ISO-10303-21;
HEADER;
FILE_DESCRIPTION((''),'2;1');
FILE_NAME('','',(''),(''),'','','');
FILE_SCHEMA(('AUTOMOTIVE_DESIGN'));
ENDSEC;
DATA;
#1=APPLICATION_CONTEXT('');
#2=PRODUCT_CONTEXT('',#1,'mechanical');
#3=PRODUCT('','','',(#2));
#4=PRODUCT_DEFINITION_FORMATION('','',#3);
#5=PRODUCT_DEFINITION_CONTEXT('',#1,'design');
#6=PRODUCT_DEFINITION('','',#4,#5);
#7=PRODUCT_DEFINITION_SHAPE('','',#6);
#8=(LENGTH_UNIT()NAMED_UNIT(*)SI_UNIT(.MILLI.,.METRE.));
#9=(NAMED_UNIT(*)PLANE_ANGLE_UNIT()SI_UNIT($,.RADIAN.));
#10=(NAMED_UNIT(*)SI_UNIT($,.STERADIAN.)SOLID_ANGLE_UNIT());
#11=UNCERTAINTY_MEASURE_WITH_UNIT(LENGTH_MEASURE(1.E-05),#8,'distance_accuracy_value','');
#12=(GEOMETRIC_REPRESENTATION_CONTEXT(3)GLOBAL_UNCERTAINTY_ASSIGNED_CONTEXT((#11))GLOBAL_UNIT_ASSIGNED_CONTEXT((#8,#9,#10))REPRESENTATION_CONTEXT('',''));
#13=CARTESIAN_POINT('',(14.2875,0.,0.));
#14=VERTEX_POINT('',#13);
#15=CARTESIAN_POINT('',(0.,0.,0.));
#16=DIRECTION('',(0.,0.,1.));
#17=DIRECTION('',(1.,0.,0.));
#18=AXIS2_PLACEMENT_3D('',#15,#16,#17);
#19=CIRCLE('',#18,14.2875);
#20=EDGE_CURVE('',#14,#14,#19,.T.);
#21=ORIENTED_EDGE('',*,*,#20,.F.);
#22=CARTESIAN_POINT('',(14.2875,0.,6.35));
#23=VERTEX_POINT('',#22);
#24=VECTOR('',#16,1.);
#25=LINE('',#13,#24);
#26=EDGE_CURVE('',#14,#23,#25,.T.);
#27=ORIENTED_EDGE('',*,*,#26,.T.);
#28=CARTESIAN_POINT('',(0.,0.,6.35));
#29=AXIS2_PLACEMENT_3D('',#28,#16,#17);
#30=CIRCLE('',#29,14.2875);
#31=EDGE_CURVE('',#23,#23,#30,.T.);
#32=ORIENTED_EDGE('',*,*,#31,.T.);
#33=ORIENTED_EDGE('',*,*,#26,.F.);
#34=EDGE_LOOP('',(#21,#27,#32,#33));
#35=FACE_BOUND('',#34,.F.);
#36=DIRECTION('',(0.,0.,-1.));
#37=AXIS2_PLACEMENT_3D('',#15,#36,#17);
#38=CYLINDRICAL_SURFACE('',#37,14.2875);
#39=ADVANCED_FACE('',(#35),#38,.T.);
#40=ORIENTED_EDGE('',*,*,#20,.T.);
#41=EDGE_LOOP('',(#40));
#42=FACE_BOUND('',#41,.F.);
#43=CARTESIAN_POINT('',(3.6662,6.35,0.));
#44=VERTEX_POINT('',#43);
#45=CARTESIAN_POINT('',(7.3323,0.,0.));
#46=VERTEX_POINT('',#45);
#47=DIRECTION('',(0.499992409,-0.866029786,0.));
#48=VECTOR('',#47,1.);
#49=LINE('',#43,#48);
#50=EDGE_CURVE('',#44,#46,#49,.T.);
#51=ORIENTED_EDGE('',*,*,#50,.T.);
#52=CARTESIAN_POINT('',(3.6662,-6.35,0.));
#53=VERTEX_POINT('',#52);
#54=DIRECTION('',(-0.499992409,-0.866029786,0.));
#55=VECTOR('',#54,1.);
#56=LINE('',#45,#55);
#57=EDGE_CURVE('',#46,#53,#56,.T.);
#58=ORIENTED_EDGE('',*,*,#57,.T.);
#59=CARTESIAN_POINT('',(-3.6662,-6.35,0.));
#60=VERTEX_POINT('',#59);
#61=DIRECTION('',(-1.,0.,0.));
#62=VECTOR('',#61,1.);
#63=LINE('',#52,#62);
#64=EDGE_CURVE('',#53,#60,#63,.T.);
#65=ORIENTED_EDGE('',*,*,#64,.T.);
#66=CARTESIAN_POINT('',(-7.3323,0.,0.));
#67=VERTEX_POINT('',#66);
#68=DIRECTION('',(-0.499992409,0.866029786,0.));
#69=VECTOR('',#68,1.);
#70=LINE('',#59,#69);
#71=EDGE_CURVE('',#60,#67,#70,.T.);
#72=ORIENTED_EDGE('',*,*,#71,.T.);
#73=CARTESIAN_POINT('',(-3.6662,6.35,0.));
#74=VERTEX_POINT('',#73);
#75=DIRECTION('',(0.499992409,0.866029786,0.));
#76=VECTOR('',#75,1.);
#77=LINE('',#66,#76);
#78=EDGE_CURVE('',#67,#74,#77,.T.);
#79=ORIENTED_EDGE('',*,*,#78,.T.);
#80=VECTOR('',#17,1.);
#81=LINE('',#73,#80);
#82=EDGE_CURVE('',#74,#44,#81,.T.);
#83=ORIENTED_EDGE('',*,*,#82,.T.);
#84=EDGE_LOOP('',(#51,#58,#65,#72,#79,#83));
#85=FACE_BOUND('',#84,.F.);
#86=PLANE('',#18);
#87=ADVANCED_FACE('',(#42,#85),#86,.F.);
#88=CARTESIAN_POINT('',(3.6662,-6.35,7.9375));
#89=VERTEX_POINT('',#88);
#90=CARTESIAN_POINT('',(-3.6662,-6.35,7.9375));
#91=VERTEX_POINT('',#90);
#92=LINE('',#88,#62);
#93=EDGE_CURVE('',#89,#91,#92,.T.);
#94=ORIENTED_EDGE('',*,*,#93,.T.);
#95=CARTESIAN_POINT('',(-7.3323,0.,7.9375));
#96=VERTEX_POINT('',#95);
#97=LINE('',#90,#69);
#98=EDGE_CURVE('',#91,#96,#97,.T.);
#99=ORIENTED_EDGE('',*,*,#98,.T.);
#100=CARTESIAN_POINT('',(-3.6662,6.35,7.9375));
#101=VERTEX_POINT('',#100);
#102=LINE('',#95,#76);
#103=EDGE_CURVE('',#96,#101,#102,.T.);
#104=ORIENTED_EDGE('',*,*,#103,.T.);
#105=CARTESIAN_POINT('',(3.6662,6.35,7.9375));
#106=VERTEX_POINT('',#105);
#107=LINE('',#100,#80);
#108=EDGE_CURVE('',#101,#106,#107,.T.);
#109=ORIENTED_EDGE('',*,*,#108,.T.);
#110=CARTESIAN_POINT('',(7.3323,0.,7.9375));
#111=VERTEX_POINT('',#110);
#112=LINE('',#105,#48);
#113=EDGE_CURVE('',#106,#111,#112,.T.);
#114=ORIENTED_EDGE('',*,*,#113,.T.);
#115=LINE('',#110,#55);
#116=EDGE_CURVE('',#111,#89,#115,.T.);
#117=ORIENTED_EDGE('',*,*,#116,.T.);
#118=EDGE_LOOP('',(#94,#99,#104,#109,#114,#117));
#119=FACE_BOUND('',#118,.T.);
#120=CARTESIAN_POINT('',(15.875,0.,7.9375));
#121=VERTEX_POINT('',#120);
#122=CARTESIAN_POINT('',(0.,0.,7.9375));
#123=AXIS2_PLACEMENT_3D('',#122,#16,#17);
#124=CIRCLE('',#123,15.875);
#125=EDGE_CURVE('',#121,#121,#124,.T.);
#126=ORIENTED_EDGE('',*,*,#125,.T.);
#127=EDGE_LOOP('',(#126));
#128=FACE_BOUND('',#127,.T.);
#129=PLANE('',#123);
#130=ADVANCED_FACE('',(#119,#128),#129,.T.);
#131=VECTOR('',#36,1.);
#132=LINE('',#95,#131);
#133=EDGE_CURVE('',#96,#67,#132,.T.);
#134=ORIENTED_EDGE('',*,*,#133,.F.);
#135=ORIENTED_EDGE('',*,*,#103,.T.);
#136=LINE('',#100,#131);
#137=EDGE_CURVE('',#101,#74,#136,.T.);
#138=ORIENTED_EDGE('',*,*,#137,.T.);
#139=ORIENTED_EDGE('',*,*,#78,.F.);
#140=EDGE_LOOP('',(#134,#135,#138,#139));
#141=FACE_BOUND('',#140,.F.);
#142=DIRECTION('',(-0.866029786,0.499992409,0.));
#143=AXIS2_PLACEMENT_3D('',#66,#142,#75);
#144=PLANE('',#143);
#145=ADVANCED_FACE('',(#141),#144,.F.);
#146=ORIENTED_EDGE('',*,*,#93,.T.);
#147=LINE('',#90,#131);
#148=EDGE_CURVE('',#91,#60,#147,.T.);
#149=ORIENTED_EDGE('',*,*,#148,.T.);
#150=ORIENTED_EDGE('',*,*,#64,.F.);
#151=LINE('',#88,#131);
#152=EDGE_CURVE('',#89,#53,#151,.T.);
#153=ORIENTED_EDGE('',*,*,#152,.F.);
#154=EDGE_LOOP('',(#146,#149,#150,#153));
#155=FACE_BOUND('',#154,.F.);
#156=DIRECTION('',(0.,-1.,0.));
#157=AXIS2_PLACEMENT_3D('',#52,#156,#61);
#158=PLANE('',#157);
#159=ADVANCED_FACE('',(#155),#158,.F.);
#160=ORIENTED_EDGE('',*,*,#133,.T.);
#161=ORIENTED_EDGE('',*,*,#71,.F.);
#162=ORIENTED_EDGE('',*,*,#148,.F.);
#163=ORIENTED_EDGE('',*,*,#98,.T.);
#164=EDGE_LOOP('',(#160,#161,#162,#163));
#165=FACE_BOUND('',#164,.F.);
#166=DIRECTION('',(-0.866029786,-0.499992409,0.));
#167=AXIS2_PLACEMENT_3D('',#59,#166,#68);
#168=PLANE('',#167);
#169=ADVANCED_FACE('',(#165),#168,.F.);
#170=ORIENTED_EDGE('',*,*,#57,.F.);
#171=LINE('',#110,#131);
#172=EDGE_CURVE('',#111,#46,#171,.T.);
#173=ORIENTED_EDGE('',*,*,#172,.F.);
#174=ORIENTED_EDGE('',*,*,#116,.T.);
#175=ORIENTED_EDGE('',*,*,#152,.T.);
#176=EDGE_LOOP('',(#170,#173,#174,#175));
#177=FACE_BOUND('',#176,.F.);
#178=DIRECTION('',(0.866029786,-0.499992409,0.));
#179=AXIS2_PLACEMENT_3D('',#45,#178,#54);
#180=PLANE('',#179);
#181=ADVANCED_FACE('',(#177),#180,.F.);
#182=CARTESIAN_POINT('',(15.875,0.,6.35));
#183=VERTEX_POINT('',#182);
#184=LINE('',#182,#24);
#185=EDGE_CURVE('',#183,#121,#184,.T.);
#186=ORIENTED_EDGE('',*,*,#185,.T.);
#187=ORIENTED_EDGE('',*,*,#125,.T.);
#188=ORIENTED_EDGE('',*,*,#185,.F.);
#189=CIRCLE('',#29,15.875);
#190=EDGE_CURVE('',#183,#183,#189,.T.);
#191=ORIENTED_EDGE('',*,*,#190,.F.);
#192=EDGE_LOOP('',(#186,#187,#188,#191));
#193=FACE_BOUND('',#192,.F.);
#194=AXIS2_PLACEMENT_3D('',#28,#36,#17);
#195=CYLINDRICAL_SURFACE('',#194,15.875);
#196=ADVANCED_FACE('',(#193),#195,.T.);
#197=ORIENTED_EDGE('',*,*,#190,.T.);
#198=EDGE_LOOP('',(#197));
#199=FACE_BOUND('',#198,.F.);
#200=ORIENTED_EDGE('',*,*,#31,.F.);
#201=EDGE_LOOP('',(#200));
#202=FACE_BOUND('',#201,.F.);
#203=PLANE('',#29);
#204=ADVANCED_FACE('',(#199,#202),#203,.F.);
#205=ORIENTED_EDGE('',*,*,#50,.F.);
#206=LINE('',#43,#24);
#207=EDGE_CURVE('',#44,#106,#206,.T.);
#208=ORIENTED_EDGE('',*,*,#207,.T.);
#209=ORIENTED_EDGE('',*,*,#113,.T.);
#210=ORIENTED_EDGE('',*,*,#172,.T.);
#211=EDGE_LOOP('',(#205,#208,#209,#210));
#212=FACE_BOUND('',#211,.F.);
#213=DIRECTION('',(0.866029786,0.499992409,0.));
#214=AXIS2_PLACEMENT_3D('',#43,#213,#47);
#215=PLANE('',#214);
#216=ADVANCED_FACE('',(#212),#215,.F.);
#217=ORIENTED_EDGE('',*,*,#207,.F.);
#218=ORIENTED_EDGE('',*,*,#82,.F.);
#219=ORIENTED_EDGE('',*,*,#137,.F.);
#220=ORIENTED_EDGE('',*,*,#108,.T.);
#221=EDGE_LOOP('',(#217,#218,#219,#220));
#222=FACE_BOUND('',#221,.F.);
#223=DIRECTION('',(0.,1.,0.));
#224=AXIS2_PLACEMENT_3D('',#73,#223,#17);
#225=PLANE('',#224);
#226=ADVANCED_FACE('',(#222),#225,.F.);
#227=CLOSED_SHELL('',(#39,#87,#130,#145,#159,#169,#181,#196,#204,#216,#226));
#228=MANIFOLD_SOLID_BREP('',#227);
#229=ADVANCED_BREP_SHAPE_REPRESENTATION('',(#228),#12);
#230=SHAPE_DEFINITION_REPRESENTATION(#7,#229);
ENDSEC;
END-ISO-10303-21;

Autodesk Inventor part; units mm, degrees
ref_plane "YZ Plane" through (0, 0, 0) normal (1, 0, 0) x (0, 1, 0)
ref_plane "XZ Plane" through (0, 0, 0) normal (0, 1, 0) x (-1, 0, 0)
ref_plane "XY Plane" through (0, 0, 0) normal (0, 0, 1) x (1, 0, 0)
sketch "Sketch1" plane through (0, 0, 0) normal (0, 0, 1) x (1, 0, 0)
  line L0 (3.6662, 6.35) -> (7.3323, 0)
  line L1 (7.3323, 0) -> (3.6662, -6.35)
  line L2 (3.6662, -6.35) -> (-3.6662, -6.35)
  line L3 (-3.6662, -6.35) -> (-7.3323, 0)
  line L4 (-7.3323, 0) -> (-3.6662, 6.35)
  line L5 (-3.6662, 6.35) -> (3.6662, 6.35)
  circle A0 centre (0, 0) radius 14.2875
  dimension "d0" = 12.7
  dimension "d1" = 28.575
extrude "Extrusion1" add sketch "Sketch1" along normal blind 6.35
sketch "Sketch2" plane through (0, 0, 6.35) normal (0, 0, 1) x (1, 0, 0)
  circle A0 centre (0, 0) radius 14.2875 projected
  circle A1 centre (0, 0) radius 15.875
  line L0 (-3.6662, 6.35) -> (3.6662, 6.35) projected
  line L1 (3.6662, 6.35) -> (7.3323, 0)
  line L2 (7.3323, 0) -> (3.6662, -6.35)
  line L3 (3.6662, -6.35) -> (-3.6662, -6.35)
  line L4 (-3.6662, -6.35) -> (-7.3323, 0)
  line L5 (-7.3323, 0) -> (-3.6662, 6.35)
  line L6 (-3.6662, 6.35) -> (3.6662, 6.35)
  point P0 (0, 6.35)
  dimension "d4" = 1.5875
extrude "Extrusion2" add sketch "Sketch2" along normal blind 1.5875 contours A0 | A1
properties part number "Hex Bearing 1-2 in (FR8ZZ-Hex, am-0279)" material "Steel, Alloy"
